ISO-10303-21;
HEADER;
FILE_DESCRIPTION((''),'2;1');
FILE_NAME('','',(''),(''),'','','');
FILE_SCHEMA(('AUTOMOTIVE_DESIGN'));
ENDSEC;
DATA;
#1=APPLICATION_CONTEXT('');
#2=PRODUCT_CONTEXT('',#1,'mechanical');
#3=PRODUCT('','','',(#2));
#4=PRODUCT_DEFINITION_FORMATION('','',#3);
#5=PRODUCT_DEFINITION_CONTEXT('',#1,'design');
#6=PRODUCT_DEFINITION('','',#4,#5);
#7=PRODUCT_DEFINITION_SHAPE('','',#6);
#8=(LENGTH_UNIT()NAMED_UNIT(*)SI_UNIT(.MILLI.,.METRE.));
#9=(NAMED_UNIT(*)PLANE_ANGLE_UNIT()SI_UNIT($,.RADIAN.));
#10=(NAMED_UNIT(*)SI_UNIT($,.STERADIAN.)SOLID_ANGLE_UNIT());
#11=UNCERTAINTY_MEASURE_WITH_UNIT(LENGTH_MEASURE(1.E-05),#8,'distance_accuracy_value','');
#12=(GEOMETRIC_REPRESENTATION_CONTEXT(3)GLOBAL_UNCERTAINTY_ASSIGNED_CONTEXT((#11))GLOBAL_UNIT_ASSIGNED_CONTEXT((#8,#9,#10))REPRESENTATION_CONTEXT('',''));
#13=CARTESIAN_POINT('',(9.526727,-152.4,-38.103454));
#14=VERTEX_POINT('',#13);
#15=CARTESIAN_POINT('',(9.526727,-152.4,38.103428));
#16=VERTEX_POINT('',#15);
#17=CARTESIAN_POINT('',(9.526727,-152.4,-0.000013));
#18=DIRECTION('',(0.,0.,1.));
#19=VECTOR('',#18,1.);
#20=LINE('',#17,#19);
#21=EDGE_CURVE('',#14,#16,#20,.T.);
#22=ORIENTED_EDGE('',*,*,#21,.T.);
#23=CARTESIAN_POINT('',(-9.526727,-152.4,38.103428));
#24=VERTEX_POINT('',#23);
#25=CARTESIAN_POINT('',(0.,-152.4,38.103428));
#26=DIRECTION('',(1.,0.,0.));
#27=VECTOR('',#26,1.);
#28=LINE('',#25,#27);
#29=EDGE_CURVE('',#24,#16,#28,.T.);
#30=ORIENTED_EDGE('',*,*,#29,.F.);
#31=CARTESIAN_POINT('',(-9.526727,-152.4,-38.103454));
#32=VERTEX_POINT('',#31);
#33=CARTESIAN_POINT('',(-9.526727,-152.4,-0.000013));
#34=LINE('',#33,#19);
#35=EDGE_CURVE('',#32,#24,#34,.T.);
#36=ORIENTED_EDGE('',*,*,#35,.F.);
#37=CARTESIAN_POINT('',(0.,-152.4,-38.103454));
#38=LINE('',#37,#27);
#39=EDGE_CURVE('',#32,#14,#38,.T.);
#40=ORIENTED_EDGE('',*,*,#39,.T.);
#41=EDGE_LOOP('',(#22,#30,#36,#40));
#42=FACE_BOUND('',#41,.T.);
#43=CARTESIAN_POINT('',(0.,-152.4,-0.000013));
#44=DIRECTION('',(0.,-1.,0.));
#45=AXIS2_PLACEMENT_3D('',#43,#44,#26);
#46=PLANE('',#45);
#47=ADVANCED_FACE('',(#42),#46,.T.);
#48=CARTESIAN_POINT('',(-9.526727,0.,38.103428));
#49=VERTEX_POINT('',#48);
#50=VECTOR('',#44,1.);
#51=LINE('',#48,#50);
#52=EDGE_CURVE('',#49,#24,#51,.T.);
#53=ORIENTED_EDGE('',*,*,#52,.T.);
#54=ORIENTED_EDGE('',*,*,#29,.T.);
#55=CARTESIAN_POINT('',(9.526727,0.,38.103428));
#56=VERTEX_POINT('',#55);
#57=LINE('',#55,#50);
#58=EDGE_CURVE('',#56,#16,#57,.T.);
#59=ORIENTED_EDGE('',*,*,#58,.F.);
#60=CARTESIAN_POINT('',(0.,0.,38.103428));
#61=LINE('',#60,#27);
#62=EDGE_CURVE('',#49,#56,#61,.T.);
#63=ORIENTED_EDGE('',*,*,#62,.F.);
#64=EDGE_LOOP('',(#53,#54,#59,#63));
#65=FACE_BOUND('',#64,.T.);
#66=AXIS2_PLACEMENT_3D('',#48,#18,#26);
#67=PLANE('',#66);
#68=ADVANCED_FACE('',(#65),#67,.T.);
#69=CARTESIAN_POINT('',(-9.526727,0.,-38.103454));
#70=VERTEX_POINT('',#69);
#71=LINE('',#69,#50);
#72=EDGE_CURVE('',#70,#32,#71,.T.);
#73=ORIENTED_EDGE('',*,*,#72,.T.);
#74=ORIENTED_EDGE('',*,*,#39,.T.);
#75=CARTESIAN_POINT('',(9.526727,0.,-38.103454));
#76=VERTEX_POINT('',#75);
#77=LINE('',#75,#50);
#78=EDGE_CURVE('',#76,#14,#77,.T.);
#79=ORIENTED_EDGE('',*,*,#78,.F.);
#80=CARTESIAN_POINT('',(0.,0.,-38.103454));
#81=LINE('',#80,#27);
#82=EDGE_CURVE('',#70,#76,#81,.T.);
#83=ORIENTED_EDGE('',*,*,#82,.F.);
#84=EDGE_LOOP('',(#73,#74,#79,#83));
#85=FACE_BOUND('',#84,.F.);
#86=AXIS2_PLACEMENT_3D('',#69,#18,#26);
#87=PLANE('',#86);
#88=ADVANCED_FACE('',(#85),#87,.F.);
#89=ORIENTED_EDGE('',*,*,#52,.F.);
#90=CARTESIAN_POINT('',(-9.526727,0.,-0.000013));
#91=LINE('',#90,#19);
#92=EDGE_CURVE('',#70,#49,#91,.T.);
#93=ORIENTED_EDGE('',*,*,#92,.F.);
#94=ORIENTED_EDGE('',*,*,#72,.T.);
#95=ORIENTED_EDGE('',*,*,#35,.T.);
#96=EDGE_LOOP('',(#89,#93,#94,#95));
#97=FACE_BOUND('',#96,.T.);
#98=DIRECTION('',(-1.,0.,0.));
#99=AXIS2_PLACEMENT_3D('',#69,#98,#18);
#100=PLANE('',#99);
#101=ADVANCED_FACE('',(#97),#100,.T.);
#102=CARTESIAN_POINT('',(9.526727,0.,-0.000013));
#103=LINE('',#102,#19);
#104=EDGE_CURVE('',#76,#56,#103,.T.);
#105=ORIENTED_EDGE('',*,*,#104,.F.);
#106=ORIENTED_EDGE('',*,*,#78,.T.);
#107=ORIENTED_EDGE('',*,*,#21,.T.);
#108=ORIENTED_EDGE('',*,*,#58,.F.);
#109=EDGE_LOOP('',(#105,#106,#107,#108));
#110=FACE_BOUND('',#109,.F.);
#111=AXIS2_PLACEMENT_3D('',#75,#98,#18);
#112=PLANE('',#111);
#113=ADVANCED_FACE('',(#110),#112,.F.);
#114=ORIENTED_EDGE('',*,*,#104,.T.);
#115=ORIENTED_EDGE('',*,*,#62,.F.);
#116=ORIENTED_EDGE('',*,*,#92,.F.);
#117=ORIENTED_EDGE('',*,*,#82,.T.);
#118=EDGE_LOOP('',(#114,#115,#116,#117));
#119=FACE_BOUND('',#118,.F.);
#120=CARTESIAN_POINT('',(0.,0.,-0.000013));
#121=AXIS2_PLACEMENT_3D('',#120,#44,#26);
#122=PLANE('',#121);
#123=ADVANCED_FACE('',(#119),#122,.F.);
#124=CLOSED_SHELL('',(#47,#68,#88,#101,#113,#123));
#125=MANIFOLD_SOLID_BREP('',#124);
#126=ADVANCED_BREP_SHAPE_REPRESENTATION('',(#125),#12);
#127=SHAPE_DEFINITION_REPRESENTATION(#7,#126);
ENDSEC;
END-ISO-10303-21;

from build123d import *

# Parameters (mm, degrees)
F0_W     = 19.053454
F0_H     = 76.206883
F1_DEPTH = 152.4


with BuildPart() as f1:
    # F0 (on Front) → F1 (new body)
    with BuildSketch(Plane.XZ):
        with Locations((0, -1.3e-05)):
            Rectangle(F0_W, F0_H)
    extrude(amount=F1_DEPTH)


solid = f1.part
